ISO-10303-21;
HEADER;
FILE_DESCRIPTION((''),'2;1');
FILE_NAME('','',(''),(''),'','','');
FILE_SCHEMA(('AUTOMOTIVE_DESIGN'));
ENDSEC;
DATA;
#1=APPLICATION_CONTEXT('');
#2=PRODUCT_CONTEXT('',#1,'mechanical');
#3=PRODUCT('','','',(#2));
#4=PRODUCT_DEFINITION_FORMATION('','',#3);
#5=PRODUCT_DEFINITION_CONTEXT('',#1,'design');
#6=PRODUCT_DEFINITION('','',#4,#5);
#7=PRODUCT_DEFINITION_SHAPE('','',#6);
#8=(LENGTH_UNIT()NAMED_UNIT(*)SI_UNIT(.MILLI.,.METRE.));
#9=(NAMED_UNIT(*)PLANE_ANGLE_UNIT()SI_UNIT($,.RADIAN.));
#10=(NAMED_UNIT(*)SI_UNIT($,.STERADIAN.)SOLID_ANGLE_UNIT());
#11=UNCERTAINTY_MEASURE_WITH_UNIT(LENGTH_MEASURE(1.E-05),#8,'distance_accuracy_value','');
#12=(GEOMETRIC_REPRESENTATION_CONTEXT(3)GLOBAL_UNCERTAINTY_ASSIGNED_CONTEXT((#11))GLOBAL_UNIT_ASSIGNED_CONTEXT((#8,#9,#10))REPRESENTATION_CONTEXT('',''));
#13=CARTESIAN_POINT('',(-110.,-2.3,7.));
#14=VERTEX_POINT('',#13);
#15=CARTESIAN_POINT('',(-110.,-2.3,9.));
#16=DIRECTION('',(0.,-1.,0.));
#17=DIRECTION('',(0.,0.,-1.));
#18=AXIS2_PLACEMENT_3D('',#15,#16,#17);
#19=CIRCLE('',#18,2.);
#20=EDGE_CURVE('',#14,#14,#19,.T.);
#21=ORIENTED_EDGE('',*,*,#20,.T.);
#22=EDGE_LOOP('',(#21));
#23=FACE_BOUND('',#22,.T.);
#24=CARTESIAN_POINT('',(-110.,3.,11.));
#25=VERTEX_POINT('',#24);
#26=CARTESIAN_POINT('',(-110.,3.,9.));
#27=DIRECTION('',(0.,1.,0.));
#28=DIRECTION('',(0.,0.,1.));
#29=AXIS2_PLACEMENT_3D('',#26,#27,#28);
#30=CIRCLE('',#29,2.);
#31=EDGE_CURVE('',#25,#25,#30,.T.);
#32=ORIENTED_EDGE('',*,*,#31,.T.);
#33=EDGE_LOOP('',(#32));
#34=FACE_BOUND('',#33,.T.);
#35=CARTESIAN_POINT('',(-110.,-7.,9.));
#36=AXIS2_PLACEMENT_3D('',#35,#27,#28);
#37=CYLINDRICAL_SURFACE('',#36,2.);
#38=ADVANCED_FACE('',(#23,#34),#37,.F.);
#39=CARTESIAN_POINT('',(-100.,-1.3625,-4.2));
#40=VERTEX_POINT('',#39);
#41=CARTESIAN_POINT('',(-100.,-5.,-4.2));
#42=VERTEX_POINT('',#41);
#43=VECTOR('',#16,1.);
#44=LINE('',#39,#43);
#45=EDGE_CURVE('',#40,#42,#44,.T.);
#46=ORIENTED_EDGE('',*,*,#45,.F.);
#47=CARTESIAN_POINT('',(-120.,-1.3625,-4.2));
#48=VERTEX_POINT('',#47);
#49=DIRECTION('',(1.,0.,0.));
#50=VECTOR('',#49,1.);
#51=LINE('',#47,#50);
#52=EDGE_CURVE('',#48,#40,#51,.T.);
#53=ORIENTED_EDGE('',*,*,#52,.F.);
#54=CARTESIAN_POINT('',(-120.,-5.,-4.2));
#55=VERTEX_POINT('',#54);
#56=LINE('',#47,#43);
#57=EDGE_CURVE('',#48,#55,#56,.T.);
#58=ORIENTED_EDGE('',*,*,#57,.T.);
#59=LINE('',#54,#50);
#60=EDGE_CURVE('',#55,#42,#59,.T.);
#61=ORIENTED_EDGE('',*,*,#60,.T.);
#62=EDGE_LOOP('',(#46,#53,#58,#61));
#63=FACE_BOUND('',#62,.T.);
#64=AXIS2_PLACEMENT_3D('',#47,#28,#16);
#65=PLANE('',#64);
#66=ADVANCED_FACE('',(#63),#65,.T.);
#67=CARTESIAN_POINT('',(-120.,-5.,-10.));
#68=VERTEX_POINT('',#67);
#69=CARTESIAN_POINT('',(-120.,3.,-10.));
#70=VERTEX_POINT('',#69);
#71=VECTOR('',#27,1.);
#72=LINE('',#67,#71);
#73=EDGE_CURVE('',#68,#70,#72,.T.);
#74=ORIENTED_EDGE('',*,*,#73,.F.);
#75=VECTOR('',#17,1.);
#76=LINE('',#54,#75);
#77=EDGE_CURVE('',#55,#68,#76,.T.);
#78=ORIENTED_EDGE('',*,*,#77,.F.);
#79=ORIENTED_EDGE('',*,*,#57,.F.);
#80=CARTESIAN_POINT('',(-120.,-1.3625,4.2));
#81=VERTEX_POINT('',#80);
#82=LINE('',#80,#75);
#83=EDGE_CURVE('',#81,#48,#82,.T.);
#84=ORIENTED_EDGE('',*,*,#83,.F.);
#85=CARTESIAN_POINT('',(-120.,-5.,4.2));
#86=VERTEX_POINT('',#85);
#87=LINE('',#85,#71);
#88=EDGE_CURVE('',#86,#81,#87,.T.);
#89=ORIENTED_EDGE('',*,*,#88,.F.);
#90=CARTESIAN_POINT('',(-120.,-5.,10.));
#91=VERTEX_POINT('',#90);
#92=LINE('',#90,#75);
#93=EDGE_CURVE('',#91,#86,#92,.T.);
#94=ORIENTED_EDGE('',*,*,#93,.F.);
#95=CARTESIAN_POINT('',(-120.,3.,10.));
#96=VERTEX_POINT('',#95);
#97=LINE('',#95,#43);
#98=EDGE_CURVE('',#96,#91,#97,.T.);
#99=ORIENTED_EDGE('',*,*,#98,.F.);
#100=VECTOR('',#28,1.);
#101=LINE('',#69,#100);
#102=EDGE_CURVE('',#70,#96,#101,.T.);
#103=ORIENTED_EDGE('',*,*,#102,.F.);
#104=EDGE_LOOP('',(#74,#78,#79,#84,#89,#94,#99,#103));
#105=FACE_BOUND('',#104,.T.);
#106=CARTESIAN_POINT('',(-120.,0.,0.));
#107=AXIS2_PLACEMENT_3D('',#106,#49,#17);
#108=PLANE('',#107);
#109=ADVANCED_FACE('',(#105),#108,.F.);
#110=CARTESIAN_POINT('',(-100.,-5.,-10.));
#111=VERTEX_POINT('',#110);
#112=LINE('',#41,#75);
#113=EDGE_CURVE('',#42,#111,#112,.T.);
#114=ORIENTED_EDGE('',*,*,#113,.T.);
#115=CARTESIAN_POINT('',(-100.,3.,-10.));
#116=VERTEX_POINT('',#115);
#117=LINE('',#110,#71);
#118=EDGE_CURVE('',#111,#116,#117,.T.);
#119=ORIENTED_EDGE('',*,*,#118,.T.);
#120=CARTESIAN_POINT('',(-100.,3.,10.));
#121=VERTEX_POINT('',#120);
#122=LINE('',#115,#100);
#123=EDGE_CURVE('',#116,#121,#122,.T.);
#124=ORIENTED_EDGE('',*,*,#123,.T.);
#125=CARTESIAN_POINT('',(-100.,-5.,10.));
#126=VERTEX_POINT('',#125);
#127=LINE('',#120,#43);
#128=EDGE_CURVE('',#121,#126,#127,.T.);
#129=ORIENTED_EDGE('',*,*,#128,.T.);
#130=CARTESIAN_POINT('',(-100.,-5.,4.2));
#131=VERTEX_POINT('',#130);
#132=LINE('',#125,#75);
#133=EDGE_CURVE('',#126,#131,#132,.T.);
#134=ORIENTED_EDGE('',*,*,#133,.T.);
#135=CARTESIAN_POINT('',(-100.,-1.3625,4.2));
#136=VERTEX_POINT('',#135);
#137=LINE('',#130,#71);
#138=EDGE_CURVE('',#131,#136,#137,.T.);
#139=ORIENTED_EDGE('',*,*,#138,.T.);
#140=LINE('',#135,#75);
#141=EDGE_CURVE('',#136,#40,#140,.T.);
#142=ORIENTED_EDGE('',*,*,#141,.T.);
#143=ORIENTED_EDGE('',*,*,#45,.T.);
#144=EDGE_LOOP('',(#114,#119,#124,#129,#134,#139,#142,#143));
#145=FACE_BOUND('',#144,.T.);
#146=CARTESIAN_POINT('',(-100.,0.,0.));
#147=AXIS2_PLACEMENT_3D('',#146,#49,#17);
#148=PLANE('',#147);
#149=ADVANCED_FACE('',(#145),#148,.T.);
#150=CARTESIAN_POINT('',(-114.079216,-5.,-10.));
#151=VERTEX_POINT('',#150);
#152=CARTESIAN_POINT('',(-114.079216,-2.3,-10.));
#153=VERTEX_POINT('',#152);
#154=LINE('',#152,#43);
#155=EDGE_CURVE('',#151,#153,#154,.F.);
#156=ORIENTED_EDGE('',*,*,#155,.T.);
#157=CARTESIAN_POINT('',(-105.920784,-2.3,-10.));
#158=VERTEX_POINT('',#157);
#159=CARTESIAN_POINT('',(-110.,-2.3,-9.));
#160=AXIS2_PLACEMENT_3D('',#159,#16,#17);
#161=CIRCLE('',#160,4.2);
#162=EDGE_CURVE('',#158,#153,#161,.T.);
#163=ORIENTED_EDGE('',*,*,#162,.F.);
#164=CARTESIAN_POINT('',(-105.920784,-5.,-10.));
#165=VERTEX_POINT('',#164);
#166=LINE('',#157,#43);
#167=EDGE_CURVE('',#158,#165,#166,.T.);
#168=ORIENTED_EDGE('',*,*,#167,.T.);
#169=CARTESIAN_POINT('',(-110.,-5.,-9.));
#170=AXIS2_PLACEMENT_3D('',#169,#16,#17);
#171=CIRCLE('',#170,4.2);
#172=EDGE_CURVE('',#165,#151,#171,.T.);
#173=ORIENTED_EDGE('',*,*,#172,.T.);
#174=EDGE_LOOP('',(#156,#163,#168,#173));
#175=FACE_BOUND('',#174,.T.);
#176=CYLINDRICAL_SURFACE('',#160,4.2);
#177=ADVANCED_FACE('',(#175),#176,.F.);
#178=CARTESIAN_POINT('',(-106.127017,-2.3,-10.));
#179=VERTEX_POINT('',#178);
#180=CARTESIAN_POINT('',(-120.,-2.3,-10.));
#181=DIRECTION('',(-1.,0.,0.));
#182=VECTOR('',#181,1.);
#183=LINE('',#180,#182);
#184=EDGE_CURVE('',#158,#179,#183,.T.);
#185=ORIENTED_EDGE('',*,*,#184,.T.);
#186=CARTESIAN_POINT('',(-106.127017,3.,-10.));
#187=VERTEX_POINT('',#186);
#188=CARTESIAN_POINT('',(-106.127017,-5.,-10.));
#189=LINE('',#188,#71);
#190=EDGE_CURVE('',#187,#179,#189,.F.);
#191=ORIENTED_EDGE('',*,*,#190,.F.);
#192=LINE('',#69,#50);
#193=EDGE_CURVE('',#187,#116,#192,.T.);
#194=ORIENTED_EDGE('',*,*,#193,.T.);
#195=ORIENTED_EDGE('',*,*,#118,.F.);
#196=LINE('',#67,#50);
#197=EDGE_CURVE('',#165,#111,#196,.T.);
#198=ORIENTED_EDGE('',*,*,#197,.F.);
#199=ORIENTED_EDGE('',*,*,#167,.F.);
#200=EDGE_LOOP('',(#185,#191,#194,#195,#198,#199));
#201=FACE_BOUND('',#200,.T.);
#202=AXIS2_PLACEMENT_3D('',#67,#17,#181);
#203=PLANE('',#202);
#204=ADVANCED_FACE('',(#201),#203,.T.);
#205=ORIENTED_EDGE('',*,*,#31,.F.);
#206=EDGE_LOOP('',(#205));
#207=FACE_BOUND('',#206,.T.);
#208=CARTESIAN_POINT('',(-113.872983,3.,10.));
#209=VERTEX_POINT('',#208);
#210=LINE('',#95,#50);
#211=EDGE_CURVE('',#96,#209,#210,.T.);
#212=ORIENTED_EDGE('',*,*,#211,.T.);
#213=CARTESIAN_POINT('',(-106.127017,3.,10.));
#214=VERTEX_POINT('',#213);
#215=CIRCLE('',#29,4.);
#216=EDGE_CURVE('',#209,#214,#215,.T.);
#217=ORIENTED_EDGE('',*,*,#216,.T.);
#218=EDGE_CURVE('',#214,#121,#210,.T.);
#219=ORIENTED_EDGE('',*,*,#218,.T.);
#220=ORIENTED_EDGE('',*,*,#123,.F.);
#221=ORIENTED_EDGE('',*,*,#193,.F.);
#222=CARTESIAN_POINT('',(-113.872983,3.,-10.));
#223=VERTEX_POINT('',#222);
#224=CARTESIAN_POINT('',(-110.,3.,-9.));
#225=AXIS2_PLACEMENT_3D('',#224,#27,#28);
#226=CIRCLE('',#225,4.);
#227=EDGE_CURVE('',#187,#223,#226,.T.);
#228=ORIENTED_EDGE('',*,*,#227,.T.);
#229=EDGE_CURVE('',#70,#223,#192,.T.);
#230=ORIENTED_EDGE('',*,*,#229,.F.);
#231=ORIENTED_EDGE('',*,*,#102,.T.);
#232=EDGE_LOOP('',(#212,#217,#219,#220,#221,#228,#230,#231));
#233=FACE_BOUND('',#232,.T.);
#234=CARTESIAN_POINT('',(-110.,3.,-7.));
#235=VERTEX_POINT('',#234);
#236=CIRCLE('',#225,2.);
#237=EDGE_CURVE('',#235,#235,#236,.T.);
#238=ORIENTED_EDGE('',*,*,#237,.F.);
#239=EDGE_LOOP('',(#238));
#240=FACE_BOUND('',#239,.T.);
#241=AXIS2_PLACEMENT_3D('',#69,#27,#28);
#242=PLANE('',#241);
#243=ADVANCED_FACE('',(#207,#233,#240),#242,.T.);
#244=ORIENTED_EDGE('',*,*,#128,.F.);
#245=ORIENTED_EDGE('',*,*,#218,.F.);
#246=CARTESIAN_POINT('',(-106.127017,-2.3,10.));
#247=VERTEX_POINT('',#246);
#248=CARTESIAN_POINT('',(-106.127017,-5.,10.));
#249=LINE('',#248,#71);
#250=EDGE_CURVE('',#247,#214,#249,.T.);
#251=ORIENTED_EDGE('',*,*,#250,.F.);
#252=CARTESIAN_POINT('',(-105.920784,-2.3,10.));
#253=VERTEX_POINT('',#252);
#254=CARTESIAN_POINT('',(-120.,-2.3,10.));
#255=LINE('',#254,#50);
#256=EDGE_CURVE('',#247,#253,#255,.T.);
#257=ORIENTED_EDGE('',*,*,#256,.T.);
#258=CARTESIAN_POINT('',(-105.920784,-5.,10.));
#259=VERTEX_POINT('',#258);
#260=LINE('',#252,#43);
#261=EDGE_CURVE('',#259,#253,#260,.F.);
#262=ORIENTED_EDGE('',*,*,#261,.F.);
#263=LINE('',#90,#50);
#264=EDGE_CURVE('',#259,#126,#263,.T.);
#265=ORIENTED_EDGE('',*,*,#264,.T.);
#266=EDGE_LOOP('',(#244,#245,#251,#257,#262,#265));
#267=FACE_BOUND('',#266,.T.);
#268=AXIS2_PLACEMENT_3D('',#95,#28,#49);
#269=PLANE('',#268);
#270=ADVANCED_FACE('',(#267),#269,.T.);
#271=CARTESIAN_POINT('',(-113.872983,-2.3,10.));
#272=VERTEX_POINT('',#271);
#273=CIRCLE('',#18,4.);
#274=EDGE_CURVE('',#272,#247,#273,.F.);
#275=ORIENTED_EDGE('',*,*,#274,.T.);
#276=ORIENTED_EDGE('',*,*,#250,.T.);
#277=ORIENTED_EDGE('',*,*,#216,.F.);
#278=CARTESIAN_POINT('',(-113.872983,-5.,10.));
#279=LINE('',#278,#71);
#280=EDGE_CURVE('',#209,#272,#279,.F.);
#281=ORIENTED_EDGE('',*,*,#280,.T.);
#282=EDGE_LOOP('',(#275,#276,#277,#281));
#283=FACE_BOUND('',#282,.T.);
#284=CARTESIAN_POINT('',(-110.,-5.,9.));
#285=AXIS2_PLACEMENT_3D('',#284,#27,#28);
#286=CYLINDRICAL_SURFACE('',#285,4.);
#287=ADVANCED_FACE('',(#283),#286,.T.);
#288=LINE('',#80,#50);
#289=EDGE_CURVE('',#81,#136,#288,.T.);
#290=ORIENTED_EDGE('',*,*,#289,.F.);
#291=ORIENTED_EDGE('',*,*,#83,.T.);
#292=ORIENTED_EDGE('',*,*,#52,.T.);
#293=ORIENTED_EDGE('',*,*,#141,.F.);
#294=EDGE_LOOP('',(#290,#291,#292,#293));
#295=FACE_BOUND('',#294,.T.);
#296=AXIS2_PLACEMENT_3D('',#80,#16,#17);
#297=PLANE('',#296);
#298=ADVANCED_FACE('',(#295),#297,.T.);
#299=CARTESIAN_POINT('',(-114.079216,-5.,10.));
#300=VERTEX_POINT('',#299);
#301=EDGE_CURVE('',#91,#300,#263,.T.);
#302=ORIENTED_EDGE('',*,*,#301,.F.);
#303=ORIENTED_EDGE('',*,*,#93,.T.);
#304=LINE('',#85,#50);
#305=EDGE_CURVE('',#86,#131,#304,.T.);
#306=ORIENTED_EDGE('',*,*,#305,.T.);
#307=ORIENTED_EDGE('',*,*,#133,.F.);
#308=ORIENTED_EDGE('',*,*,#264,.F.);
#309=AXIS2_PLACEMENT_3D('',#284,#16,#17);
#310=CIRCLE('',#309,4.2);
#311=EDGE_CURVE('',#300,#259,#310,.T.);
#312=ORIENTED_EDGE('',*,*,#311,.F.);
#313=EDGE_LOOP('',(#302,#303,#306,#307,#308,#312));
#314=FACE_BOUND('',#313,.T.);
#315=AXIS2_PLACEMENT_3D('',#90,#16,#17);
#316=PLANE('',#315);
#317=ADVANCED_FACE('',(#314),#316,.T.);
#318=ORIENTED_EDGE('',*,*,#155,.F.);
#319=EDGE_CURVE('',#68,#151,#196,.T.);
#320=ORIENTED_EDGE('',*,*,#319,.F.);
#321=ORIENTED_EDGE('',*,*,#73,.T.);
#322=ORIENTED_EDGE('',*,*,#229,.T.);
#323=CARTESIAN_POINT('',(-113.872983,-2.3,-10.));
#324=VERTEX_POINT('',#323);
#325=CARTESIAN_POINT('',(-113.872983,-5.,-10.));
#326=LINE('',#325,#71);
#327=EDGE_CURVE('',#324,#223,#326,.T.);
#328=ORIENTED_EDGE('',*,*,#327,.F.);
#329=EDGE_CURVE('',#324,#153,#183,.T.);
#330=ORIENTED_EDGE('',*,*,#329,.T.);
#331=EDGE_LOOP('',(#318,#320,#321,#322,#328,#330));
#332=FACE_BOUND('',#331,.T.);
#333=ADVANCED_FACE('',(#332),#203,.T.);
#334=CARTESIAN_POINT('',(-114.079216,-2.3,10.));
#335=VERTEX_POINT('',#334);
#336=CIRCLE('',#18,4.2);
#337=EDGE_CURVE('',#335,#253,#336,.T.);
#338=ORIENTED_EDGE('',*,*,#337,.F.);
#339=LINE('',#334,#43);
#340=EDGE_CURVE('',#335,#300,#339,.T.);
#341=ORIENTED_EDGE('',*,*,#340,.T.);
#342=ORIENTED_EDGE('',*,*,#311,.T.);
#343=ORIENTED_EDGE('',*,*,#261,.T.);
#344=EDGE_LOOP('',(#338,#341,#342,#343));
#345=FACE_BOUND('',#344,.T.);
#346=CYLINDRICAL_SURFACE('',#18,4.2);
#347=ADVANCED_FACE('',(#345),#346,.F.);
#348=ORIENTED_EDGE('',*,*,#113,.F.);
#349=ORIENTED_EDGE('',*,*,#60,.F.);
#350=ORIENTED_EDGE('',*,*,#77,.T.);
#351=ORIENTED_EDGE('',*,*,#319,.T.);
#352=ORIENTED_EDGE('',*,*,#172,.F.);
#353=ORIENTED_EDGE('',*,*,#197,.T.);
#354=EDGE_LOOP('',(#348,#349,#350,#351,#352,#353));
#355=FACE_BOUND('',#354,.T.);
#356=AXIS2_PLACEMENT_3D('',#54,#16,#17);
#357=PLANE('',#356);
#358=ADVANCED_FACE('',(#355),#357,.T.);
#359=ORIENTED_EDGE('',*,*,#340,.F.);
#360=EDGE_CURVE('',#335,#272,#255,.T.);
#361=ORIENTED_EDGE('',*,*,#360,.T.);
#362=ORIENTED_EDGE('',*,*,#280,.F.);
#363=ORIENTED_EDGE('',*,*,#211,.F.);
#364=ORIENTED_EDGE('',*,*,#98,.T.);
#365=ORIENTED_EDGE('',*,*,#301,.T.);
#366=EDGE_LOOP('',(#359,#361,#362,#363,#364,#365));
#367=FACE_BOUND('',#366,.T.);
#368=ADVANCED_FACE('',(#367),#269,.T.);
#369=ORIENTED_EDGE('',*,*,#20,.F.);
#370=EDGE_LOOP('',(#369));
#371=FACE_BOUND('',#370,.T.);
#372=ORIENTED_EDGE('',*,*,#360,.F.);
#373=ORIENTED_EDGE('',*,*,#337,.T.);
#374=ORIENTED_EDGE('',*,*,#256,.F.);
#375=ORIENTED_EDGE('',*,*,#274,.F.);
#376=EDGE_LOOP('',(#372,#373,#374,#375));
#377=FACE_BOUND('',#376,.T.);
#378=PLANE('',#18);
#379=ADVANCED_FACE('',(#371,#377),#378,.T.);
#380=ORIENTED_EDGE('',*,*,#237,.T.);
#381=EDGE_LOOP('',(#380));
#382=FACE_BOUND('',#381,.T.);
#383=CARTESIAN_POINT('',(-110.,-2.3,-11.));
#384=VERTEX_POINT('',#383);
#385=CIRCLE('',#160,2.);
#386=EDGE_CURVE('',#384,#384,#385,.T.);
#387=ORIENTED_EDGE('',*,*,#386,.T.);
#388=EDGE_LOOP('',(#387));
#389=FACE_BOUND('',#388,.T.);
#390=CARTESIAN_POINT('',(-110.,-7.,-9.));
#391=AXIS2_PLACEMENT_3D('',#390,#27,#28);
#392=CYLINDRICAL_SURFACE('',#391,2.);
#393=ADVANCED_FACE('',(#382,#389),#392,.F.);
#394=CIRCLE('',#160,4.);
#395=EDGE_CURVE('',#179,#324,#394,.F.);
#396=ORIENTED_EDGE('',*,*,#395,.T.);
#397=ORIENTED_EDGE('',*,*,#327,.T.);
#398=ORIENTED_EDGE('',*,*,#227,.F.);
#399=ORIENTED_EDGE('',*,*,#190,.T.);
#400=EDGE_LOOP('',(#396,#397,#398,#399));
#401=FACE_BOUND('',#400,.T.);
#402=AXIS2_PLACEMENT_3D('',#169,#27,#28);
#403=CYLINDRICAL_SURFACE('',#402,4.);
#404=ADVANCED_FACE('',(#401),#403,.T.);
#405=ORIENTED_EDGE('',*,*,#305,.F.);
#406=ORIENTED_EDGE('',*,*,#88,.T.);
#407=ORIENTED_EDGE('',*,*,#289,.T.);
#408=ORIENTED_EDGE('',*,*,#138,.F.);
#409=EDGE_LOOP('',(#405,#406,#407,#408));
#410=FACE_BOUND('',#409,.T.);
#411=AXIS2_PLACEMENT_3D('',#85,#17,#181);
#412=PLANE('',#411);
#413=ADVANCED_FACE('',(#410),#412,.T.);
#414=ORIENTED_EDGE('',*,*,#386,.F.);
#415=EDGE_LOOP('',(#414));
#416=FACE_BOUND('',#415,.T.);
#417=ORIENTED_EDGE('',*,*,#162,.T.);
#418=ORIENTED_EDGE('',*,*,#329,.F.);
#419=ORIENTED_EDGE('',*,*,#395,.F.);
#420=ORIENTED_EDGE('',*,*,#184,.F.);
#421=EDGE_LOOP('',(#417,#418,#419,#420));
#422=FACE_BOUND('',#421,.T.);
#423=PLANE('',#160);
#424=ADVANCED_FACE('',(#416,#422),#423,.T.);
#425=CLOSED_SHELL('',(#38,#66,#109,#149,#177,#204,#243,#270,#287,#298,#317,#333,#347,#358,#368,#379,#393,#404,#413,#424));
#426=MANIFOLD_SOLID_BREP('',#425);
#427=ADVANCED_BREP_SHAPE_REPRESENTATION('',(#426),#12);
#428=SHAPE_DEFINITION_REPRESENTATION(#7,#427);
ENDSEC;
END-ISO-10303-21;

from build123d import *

# Parameters (mm, degrees)
EXTRUDE_1_DEPTH      = 10
EXTRUDE_1_DEPTH_BACK = 10
SKETCH_3_R           = 4
EXTRUDE_2_DEPTH      = 8
SKETCH_2_R           = 2
CUT_EXTRUDE_1_DEPTH  = 10
SKETCH_4_R           = 4.2
SKETCH_4_R_2         = 2
CUT_EXTRUDE_2_DEPTH  = 2.7


with BuildPart() as part:
    # Эскиз1 → Бобышка-Вытянуть1 (new body, two sides)
    with BuildSketch(Plane(origin=(-110, 0, 0), x_dir=(0, 0, -1), z_dir=(1, 0, 0))) as extrude_1_sk:
        Polygon((-4.2, -5), (-4.2, -1.3625), (4.2, -1.3625), (4.2, -5), (10, -5), (10, 3), (-10, 3), (-10, -5), align=None)
    extrude(amount=EXTRUDE_1_DEPTH)
    extrude(extrude_1_sk.sketch, amount=-EXTRUDE_1_DEPTH_BACK)

    # Эскиз3 → Бобышка-Вытянуть2 (add, through all)
    with BuildSketch(Plane(origin=(0, 3, 0), x_dir=(1, 0, 0), z_dir=(0, 1, 0))):
        with Locations((-110, -9)):
            Circle(SKETCH_3_R)
        with Locations((-110, 9)):
            Circle(SKETCH_3_R)
    extrude(amount=-EXTRUDE_2_DEPTH)

    # Эскиз2 → Вырез-Вытянуть1 (cut)
    with BuildSketch(Plane(origin=(0, 3, 0), x_dir=(1, 0, 0), z_dir=(0, 1, 0))):
        with Locations((-110, -9)):
            Circle(SKETCH_2_R)
        with Locations((-110, 9)):
            Circle(SKETCH_2_R)
    extrude(amount=-CUT_EXTRUDE_1_DEPTH, mode=Mode.SUBTRACT)

    # Эскиз4 → Вырез-Вытянуть2 (cut)
    with BuildSketch(Plane.XZ.offset(5)):
        with Locations((-110, 9)):
            Circle(SKETCH_4_R)
        with Locations((-110, 9)):
            Circle(SKETCH_4_R_2, mode=Mode.SUBTRACT)
        with Locations((-110, -9)):
            Circle(SKETCH_4_R)
        with Locations((-110, -9)):
            Circle(SKETCH_4_R_2, mode=Mode.SUBTRACT)
    extrude(amount=-CUT_EXTRUDE_2_DEPTH, mode=Mode.SUBTRACT)


solid = part.part
